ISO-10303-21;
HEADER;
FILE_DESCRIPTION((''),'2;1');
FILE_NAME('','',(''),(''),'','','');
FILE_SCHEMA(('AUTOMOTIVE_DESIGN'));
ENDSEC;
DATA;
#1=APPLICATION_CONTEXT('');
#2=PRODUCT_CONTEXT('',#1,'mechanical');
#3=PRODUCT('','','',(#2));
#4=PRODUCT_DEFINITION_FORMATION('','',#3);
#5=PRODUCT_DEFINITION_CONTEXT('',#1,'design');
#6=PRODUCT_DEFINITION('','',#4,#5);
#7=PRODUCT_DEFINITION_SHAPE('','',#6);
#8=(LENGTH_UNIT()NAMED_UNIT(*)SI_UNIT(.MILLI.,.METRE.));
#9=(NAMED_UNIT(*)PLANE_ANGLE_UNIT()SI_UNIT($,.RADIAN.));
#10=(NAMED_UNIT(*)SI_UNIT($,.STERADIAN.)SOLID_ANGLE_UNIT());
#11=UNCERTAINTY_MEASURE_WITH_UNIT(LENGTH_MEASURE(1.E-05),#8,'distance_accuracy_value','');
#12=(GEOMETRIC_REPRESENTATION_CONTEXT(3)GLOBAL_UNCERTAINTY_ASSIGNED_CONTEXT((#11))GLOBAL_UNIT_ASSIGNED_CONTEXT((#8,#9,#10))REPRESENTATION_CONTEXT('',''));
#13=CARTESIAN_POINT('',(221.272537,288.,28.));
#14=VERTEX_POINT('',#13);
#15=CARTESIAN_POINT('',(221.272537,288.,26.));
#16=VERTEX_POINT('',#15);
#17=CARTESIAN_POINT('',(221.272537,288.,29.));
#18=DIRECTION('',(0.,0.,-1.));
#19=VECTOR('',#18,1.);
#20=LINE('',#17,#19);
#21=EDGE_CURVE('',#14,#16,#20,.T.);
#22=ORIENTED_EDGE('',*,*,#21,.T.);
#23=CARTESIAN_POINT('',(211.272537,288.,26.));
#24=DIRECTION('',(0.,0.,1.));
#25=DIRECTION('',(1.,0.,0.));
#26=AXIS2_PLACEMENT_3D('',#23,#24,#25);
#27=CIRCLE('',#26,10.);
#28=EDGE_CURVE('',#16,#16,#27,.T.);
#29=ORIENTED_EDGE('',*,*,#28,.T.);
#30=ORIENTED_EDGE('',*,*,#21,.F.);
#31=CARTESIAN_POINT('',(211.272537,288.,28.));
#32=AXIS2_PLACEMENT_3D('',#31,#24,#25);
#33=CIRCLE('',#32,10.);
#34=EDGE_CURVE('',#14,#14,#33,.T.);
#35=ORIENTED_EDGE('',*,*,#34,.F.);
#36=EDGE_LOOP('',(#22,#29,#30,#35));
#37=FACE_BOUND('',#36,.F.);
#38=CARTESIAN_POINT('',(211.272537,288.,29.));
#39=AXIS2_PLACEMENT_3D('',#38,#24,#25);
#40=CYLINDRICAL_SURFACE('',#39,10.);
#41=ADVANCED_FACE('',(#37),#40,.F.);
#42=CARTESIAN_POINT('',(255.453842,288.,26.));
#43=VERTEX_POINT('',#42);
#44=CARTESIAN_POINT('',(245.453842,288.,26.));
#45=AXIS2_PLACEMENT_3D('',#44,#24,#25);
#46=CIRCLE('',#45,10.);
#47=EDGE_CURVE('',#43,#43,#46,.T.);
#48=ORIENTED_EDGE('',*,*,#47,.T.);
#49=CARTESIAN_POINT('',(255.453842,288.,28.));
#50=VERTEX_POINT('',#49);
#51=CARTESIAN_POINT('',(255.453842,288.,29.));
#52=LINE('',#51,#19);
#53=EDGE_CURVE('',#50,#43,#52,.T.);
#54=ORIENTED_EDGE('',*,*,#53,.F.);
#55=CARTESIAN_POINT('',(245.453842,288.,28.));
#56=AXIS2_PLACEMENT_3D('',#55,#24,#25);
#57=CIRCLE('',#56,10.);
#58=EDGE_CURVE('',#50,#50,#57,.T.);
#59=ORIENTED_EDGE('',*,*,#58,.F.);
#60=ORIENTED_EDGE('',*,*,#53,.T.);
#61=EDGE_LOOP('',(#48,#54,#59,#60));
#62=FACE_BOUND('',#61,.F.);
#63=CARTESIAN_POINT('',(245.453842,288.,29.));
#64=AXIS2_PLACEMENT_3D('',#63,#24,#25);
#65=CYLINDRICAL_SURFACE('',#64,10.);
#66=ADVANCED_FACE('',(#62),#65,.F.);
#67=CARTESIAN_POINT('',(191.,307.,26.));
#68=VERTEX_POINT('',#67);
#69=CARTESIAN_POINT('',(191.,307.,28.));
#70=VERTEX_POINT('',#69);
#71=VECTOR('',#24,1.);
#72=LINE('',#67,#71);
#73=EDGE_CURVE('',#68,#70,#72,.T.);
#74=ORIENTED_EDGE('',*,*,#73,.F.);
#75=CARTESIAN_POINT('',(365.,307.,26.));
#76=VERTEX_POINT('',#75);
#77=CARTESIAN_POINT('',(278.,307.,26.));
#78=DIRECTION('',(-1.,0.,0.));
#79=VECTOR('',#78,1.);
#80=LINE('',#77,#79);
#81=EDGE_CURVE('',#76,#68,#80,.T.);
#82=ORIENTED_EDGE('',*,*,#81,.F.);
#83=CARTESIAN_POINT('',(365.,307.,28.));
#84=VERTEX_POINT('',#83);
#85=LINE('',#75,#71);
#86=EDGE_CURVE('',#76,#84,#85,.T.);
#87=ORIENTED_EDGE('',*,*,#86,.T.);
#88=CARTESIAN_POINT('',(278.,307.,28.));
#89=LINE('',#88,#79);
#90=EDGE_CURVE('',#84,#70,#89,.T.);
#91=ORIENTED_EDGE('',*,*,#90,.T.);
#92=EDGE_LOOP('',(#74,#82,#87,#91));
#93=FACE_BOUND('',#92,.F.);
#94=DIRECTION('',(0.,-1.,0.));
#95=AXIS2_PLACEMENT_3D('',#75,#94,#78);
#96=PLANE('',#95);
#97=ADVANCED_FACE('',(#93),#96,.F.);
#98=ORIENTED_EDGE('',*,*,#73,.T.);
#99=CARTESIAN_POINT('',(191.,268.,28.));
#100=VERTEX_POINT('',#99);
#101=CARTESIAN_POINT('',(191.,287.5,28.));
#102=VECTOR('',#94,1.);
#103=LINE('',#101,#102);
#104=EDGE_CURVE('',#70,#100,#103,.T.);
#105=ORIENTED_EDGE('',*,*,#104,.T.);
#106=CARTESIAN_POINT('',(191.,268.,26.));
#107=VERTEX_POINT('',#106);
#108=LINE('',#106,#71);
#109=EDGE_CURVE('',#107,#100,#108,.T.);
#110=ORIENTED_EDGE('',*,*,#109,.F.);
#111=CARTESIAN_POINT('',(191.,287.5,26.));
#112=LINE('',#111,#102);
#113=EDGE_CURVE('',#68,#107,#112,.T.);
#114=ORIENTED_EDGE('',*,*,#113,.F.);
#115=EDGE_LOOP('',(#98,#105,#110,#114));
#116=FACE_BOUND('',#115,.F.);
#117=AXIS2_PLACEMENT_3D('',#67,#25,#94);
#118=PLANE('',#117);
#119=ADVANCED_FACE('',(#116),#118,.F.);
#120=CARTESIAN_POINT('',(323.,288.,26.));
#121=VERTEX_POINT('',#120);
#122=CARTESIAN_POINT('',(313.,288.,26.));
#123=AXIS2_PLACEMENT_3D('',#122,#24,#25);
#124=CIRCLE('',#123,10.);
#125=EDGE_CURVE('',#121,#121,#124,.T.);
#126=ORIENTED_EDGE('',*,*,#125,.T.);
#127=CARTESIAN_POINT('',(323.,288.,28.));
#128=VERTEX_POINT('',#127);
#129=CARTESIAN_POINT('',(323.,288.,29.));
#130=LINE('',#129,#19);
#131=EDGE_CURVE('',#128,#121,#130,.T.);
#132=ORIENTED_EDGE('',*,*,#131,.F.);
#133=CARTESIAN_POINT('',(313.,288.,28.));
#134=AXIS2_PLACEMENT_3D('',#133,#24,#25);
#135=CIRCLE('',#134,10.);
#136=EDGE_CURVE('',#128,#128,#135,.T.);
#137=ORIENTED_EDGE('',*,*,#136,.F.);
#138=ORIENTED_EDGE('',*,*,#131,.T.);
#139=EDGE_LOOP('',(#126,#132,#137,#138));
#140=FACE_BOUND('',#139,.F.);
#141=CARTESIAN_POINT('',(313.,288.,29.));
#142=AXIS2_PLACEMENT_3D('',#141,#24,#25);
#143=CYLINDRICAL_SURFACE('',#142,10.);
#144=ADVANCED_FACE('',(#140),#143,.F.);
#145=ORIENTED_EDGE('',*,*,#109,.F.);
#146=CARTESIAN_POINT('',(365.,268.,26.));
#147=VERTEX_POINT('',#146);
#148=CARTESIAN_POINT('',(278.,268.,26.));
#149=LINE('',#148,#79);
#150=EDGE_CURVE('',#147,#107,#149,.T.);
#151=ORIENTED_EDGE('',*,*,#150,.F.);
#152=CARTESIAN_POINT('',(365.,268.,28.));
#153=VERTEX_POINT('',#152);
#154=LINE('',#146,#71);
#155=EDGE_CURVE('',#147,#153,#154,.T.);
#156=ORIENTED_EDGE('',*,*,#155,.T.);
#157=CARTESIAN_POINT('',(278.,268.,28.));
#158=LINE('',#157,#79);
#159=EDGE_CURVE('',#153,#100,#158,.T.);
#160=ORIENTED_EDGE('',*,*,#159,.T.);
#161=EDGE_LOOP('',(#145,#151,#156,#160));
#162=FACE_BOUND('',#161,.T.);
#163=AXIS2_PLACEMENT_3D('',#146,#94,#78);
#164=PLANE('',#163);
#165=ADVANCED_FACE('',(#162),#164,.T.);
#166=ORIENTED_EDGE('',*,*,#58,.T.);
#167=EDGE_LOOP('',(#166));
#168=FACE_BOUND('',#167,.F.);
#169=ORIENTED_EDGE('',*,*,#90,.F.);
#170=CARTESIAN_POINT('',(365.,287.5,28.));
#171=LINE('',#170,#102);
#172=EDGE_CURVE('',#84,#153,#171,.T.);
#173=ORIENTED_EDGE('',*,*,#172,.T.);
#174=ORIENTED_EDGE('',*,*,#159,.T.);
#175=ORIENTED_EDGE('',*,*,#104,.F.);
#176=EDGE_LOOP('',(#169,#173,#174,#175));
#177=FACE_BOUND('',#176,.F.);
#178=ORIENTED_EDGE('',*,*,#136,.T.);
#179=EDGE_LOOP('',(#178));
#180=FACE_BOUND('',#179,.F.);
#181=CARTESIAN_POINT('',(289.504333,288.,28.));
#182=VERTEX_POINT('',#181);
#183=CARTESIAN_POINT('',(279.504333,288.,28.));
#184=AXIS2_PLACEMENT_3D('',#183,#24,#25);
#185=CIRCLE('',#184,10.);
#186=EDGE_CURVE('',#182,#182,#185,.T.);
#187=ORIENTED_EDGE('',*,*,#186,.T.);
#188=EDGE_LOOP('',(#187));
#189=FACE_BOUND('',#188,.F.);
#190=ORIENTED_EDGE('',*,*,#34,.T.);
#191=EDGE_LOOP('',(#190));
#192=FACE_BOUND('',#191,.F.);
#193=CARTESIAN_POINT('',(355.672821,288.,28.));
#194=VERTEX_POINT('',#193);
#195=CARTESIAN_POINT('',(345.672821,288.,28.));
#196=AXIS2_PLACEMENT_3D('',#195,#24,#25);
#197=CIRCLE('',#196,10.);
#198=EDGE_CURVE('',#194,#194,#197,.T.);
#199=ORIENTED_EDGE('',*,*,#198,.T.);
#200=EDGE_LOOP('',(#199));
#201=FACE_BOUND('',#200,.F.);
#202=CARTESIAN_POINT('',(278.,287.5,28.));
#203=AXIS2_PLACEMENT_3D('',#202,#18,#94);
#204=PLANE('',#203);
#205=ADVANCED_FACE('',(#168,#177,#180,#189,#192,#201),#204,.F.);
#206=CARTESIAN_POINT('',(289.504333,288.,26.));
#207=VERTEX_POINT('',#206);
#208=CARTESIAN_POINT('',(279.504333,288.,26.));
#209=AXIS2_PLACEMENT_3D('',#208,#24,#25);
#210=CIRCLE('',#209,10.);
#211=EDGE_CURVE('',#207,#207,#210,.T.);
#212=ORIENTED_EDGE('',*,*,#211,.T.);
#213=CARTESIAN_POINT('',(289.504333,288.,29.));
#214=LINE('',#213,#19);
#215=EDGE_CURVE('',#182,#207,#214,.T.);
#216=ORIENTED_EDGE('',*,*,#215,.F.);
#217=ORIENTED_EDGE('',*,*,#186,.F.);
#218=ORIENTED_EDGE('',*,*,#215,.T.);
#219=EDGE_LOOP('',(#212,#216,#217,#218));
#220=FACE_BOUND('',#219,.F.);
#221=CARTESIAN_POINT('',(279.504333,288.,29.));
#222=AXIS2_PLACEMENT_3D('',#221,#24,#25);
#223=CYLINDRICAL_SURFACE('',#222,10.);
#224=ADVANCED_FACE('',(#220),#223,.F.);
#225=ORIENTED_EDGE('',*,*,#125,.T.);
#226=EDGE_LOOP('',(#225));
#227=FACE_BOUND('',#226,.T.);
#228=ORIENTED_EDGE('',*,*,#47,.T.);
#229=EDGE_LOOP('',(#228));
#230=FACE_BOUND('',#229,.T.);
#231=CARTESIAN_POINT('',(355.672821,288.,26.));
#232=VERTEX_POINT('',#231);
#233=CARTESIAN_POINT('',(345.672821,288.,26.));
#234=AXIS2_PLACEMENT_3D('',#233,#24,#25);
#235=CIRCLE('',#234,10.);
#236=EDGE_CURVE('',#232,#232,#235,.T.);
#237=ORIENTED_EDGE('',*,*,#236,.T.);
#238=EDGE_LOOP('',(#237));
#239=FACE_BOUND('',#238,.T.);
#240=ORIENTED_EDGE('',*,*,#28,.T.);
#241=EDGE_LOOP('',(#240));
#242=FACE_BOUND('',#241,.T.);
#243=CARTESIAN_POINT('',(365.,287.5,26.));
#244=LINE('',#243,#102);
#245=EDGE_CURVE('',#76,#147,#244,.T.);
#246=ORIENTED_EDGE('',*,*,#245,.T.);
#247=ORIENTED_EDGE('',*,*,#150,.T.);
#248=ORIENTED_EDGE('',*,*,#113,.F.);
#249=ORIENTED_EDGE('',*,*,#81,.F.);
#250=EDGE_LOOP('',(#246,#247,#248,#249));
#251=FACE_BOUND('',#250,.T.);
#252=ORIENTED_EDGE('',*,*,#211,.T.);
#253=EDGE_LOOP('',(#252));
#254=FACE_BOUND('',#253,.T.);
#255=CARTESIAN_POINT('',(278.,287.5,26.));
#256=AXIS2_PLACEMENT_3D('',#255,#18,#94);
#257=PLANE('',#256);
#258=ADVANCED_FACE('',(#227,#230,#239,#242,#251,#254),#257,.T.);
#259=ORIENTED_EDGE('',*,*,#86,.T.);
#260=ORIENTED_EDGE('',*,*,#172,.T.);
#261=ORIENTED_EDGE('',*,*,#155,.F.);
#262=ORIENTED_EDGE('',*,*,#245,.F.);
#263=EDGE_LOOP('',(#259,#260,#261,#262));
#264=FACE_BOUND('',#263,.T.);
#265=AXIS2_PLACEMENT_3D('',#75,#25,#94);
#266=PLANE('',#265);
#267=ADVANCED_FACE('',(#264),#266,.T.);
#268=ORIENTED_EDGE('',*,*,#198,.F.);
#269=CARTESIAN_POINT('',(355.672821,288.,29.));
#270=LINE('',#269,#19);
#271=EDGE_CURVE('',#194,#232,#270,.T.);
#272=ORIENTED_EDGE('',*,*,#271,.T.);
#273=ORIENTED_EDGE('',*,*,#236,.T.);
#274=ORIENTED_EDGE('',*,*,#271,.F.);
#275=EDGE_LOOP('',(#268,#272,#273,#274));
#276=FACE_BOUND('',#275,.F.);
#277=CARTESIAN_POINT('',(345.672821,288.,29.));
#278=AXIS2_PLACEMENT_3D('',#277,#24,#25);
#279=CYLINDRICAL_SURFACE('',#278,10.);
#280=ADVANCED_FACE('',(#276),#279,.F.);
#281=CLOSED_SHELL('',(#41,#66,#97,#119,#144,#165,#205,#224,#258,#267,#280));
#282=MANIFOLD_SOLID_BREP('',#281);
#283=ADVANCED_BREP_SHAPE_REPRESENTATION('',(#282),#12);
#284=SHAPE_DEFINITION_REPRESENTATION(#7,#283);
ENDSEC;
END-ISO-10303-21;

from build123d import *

# Parameters (mm, degrees)
SKETCH167_R      = 10
EXTRUDE147_DEPTH = 4
BODY018_W        = 39
BODY018_H        = 174
EXTRUDE_DEPTH    = 2


with BuildPart() as extrude147:
    # Sketch167 → Extrude147 (new body)
    with BuildSketch(Plane.XY.offset(29)):
        with Locations((211.272537, 288)):
            Circle(SKETCH167_R)
        with Locations((245.453842, 288)):
            Circle(SKETCH167_R)
        with Locations((279.504333, 288)):
            Circle(SKETCH167_R)
        with Locations((345.672821, 288)):
            Circle(SKETCH167_R)
        with Locations((313, 288)):
            Circle(SKETCH167_R)
    extrude(amount=-EXTRUDE147_DEPTH)


with BuildPart() as cut010:
    # Body018 → Extrude (new body)
    with BuildSketch(Plane(origin=(278, 287.5, 26), x_dir=(0, -1, 0), z_dir=(0, 0, -1))):
        Rectangle(BODY018_W, BODY018_H)
    extrude(amount=-EXTRUDE_DEPTH)

    # Cut010: cut Extrude147
    add(extrude147.part, mode=Mode.SUBTRACT)


solid = cut010.part
